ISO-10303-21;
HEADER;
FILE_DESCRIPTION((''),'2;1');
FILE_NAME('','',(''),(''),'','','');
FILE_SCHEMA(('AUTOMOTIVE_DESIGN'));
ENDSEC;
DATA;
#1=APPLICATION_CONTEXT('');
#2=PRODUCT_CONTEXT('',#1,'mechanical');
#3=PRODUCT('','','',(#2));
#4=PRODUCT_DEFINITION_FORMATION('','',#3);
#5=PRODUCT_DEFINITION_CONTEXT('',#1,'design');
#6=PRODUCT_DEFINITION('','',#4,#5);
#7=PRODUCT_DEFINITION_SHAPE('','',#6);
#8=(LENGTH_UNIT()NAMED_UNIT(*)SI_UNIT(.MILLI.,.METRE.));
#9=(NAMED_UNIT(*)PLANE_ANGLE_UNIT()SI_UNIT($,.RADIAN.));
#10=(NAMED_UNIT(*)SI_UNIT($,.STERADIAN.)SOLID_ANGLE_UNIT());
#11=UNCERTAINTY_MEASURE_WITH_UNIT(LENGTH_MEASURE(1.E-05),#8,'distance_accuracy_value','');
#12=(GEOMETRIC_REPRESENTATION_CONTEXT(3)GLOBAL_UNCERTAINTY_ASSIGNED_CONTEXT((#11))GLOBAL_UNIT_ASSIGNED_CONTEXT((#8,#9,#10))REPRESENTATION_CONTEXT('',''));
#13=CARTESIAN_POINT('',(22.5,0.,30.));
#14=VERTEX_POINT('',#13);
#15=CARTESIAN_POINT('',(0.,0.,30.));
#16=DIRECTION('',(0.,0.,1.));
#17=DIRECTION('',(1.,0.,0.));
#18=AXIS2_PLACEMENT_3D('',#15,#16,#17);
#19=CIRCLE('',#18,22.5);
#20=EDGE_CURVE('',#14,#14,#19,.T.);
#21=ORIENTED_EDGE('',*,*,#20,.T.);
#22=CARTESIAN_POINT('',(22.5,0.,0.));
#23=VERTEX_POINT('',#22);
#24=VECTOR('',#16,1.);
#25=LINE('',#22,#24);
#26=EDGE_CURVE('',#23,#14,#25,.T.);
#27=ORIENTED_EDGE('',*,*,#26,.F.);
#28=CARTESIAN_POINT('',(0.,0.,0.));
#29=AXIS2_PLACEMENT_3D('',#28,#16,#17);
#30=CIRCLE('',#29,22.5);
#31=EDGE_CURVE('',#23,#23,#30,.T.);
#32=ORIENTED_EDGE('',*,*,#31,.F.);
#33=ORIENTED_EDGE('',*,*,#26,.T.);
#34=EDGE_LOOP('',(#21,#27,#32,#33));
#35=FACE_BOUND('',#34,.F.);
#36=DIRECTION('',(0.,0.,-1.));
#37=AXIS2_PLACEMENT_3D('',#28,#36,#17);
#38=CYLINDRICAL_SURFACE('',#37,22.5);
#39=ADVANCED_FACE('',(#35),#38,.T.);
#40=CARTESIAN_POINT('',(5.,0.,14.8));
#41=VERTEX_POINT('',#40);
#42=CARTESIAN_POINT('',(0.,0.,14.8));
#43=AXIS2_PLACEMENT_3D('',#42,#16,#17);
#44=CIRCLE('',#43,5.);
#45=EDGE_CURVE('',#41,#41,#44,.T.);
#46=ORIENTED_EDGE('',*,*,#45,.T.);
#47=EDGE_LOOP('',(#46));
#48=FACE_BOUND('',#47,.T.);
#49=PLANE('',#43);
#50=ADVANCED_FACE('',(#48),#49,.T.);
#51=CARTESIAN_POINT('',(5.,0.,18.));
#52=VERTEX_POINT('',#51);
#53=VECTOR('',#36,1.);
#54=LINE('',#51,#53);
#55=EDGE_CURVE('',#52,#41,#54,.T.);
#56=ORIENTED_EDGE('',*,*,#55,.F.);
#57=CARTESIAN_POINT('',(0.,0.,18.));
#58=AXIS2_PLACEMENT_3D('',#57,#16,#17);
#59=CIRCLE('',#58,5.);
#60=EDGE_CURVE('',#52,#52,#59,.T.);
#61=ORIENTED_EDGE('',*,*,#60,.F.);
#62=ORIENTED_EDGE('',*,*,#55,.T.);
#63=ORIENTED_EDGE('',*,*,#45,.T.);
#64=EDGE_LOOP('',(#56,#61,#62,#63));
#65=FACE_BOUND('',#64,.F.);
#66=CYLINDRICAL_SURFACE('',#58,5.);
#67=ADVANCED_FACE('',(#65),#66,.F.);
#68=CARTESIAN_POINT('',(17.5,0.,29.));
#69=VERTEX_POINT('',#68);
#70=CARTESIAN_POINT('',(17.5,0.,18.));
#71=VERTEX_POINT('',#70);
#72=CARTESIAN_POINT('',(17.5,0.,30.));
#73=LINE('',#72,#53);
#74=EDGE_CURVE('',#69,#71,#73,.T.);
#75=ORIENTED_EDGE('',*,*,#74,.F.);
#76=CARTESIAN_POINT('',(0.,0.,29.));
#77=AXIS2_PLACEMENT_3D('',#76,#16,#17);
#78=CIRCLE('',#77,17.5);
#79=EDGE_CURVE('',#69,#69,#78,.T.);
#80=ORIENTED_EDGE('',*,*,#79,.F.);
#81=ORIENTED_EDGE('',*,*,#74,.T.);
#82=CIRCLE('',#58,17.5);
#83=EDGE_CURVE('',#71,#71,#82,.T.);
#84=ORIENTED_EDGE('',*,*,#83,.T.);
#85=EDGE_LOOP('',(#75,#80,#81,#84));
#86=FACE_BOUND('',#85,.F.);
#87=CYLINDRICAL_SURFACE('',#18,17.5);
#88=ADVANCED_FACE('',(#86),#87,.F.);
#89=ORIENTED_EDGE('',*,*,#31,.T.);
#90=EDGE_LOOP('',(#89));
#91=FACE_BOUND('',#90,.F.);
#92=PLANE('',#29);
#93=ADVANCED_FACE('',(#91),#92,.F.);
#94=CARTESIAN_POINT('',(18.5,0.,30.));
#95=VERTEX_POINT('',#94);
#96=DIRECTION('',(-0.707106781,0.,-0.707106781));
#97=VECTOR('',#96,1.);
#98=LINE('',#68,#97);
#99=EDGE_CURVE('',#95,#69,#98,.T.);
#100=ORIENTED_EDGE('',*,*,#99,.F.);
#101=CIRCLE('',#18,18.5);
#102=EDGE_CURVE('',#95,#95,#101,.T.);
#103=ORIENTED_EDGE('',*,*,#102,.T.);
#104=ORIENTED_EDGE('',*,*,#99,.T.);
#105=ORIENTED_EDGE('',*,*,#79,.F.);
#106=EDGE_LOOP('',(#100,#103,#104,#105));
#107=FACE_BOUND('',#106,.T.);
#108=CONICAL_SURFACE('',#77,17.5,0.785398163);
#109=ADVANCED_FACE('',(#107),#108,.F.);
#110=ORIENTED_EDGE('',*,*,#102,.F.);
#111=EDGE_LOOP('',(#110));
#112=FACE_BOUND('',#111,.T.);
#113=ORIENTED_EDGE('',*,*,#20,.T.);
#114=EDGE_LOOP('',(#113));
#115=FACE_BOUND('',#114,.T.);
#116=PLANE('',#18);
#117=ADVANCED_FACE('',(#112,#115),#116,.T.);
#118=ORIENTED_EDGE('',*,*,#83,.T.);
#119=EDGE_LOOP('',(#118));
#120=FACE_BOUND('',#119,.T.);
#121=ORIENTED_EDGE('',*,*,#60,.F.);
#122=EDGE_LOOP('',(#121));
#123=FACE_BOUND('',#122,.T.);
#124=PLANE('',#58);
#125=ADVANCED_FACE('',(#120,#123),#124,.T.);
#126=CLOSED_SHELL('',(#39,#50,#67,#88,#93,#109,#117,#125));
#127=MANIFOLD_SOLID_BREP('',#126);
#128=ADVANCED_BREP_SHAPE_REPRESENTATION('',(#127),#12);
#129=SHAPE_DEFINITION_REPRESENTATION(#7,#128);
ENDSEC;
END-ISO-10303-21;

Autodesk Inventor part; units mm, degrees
ref_plane "YZ Plane" through (0, 0, 0) normal (1, 0, 0) x (0, 1, 0)
ref_plane "XZ Plane" through (0, 0, 0) normal (0, 1, 0) x (-1, 0, 0)
ref_plane "XY Plane" through (0, 0, 0) normal (0, 0, 1) x (1, 0, 0)
sketch "Sketch1" plane through (0, 0, 0) normal (0, 0, 1) x (1, 0, 0)
  circle A0 centre (0, 0) radius 22.5
  dimension "d0" = 45
extrude "Extrusion1" add sketch "Sketch1" along normal blind 30
sketch "Sketch2" plane through (0, 0, 30) normal (0, 0, 1) x (1, 0, 0)
  circle A0 centre (0, 0) radius 17.5
  dimension "d3" = 35
extrude "Extrusion2" cut sketch "Sketch2" against normal blind 12
chamfer "Chamfer1" distance 1 angle 45 1 edges at (-17.5, 0, 30)
sketch "Sketch3" plane through (0, 0, 18) normal (0, 0, 1) x (1, 0, 0)
  circle A0 centre (0, 0) radius 5 projected
  circle A1 centre (0, 0) radius 5
  point P0 (0, 0)
extrude "Extrusion3" cut sketch "Sketch3" against normal blind 3.2
